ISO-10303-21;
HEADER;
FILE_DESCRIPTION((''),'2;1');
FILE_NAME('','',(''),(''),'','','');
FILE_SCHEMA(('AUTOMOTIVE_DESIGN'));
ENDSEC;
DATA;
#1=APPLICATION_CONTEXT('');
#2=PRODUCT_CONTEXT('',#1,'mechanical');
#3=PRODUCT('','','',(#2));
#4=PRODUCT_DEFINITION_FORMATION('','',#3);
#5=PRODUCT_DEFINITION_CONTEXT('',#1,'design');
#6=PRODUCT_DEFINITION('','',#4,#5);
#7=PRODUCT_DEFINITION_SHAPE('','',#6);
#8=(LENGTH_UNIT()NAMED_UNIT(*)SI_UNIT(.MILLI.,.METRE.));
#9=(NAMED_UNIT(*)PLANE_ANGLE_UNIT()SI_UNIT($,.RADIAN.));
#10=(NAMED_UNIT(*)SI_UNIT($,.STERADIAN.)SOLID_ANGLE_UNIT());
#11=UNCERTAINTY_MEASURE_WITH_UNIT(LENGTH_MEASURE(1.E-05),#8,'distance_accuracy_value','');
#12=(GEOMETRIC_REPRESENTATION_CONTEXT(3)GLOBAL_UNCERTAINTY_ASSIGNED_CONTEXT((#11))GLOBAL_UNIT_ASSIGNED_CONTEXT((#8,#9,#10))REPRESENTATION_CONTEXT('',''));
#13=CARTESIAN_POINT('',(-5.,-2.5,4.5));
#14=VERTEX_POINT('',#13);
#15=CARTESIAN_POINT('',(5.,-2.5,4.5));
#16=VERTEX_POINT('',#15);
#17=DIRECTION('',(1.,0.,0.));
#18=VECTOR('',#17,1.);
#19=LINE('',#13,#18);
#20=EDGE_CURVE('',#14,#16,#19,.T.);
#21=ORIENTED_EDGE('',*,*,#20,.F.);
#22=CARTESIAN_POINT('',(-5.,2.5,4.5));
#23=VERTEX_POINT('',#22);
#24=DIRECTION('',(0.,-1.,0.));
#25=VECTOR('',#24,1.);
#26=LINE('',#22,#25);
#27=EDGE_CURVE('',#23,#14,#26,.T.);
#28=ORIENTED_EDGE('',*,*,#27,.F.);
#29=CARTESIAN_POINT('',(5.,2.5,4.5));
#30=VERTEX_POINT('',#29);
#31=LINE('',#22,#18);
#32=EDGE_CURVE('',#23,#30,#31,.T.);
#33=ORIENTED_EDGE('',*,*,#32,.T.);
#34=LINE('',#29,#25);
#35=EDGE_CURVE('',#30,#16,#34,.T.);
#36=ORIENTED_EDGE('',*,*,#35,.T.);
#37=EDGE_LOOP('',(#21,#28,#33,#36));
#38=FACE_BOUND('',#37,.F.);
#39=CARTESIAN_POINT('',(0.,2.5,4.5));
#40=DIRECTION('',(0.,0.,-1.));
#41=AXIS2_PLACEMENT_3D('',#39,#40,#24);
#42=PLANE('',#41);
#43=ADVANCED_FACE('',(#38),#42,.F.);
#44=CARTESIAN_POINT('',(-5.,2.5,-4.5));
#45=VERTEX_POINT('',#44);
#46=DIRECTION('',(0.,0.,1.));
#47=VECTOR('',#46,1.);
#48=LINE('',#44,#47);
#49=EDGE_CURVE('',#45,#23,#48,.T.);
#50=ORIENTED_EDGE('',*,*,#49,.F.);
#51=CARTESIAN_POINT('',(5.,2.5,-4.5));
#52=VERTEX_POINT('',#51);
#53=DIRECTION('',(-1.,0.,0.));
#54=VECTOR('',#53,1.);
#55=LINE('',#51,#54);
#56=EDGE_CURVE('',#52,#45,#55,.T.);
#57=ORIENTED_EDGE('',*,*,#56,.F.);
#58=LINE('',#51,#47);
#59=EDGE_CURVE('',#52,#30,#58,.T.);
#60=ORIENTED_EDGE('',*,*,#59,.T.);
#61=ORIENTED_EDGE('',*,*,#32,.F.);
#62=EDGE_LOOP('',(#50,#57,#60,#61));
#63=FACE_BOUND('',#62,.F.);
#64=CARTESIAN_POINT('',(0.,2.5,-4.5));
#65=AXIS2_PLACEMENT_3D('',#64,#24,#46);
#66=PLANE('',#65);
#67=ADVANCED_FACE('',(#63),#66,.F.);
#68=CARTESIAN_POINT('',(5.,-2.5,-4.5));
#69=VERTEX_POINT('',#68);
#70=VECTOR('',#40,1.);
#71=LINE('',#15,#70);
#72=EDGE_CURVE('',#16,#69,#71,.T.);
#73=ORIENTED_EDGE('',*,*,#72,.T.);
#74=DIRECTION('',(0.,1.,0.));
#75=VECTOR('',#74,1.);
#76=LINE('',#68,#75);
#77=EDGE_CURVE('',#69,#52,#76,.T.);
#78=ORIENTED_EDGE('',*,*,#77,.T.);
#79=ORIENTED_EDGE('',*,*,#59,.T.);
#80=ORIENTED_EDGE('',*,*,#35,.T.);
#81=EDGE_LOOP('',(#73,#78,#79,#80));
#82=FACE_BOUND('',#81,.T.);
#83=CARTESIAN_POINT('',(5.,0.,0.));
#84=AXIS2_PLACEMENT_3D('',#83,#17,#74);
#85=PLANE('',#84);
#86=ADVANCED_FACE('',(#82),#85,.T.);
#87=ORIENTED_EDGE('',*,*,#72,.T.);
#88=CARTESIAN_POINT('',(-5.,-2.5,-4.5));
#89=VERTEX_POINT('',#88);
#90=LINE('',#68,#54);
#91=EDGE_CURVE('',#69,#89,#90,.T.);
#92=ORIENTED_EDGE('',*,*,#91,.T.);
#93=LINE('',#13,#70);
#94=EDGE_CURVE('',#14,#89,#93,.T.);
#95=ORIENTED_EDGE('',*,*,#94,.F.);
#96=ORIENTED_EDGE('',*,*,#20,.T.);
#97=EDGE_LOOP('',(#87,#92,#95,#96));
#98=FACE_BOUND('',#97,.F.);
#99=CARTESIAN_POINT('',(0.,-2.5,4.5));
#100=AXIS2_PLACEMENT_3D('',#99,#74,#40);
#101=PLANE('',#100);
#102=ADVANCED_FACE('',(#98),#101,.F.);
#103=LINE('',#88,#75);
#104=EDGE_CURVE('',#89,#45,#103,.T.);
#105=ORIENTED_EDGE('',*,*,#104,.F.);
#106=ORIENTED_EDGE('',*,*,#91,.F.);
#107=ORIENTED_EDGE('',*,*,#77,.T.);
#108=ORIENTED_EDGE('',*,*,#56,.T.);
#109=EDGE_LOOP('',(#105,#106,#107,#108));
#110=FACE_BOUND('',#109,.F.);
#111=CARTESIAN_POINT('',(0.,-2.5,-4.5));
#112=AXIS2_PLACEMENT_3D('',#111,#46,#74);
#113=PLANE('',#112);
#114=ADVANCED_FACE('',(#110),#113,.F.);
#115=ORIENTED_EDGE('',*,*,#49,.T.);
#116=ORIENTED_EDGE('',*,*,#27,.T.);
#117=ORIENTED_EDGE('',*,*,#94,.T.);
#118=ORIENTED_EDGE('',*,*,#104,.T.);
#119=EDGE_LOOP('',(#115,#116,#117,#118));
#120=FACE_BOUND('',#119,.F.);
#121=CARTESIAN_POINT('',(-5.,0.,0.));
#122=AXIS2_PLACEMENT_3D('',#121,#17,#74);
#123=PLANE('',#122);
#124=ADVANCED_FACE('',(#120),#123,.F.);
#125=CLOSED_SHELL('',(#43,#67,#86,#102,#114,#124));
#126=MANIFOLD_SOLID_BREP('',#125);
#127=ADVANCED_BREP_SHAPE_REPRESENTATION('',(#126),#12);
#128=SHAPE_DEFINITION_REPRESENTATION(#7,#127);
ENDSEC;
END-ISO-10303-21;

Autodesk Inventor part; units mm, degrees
ref_plane "YZ Plane" through (0, 0, 0) normal (1, 0, 0) x (0, 1, 0)
ref_plane "XZ Plane" through (0, 0, 0) normal (0, 1, 0) x (-1, 0, 0)
ref_plane "XY Plane" through (0, 0, 0) normal (0, 0, 1) x (1, 0, 0)
sketch "Sketch1" plane through (0, 0, 0) normal (1, 0, 0) x (0, 1, 0)
  line L0 (2.5, 4.5) -> (-2.5, 4.5)
  line L1 (-2.5, 4.5) -> (-2.5, -4.5)
  line L2 (-2.5, -4.5) -> (2.5, -4.5)
  line L3 (2.5, -4.5) -> (2.5, 4.5)
  point P0 (0, 0)
  dimension "d0" = 5
  dimension "d1" = 9
  dimension "d2" = 4.5
  dimension "d3" = 2.5
extrude "Extrusion1" add sketch "Sketch1" along normal mid plane 10
properties part number "blocker"
